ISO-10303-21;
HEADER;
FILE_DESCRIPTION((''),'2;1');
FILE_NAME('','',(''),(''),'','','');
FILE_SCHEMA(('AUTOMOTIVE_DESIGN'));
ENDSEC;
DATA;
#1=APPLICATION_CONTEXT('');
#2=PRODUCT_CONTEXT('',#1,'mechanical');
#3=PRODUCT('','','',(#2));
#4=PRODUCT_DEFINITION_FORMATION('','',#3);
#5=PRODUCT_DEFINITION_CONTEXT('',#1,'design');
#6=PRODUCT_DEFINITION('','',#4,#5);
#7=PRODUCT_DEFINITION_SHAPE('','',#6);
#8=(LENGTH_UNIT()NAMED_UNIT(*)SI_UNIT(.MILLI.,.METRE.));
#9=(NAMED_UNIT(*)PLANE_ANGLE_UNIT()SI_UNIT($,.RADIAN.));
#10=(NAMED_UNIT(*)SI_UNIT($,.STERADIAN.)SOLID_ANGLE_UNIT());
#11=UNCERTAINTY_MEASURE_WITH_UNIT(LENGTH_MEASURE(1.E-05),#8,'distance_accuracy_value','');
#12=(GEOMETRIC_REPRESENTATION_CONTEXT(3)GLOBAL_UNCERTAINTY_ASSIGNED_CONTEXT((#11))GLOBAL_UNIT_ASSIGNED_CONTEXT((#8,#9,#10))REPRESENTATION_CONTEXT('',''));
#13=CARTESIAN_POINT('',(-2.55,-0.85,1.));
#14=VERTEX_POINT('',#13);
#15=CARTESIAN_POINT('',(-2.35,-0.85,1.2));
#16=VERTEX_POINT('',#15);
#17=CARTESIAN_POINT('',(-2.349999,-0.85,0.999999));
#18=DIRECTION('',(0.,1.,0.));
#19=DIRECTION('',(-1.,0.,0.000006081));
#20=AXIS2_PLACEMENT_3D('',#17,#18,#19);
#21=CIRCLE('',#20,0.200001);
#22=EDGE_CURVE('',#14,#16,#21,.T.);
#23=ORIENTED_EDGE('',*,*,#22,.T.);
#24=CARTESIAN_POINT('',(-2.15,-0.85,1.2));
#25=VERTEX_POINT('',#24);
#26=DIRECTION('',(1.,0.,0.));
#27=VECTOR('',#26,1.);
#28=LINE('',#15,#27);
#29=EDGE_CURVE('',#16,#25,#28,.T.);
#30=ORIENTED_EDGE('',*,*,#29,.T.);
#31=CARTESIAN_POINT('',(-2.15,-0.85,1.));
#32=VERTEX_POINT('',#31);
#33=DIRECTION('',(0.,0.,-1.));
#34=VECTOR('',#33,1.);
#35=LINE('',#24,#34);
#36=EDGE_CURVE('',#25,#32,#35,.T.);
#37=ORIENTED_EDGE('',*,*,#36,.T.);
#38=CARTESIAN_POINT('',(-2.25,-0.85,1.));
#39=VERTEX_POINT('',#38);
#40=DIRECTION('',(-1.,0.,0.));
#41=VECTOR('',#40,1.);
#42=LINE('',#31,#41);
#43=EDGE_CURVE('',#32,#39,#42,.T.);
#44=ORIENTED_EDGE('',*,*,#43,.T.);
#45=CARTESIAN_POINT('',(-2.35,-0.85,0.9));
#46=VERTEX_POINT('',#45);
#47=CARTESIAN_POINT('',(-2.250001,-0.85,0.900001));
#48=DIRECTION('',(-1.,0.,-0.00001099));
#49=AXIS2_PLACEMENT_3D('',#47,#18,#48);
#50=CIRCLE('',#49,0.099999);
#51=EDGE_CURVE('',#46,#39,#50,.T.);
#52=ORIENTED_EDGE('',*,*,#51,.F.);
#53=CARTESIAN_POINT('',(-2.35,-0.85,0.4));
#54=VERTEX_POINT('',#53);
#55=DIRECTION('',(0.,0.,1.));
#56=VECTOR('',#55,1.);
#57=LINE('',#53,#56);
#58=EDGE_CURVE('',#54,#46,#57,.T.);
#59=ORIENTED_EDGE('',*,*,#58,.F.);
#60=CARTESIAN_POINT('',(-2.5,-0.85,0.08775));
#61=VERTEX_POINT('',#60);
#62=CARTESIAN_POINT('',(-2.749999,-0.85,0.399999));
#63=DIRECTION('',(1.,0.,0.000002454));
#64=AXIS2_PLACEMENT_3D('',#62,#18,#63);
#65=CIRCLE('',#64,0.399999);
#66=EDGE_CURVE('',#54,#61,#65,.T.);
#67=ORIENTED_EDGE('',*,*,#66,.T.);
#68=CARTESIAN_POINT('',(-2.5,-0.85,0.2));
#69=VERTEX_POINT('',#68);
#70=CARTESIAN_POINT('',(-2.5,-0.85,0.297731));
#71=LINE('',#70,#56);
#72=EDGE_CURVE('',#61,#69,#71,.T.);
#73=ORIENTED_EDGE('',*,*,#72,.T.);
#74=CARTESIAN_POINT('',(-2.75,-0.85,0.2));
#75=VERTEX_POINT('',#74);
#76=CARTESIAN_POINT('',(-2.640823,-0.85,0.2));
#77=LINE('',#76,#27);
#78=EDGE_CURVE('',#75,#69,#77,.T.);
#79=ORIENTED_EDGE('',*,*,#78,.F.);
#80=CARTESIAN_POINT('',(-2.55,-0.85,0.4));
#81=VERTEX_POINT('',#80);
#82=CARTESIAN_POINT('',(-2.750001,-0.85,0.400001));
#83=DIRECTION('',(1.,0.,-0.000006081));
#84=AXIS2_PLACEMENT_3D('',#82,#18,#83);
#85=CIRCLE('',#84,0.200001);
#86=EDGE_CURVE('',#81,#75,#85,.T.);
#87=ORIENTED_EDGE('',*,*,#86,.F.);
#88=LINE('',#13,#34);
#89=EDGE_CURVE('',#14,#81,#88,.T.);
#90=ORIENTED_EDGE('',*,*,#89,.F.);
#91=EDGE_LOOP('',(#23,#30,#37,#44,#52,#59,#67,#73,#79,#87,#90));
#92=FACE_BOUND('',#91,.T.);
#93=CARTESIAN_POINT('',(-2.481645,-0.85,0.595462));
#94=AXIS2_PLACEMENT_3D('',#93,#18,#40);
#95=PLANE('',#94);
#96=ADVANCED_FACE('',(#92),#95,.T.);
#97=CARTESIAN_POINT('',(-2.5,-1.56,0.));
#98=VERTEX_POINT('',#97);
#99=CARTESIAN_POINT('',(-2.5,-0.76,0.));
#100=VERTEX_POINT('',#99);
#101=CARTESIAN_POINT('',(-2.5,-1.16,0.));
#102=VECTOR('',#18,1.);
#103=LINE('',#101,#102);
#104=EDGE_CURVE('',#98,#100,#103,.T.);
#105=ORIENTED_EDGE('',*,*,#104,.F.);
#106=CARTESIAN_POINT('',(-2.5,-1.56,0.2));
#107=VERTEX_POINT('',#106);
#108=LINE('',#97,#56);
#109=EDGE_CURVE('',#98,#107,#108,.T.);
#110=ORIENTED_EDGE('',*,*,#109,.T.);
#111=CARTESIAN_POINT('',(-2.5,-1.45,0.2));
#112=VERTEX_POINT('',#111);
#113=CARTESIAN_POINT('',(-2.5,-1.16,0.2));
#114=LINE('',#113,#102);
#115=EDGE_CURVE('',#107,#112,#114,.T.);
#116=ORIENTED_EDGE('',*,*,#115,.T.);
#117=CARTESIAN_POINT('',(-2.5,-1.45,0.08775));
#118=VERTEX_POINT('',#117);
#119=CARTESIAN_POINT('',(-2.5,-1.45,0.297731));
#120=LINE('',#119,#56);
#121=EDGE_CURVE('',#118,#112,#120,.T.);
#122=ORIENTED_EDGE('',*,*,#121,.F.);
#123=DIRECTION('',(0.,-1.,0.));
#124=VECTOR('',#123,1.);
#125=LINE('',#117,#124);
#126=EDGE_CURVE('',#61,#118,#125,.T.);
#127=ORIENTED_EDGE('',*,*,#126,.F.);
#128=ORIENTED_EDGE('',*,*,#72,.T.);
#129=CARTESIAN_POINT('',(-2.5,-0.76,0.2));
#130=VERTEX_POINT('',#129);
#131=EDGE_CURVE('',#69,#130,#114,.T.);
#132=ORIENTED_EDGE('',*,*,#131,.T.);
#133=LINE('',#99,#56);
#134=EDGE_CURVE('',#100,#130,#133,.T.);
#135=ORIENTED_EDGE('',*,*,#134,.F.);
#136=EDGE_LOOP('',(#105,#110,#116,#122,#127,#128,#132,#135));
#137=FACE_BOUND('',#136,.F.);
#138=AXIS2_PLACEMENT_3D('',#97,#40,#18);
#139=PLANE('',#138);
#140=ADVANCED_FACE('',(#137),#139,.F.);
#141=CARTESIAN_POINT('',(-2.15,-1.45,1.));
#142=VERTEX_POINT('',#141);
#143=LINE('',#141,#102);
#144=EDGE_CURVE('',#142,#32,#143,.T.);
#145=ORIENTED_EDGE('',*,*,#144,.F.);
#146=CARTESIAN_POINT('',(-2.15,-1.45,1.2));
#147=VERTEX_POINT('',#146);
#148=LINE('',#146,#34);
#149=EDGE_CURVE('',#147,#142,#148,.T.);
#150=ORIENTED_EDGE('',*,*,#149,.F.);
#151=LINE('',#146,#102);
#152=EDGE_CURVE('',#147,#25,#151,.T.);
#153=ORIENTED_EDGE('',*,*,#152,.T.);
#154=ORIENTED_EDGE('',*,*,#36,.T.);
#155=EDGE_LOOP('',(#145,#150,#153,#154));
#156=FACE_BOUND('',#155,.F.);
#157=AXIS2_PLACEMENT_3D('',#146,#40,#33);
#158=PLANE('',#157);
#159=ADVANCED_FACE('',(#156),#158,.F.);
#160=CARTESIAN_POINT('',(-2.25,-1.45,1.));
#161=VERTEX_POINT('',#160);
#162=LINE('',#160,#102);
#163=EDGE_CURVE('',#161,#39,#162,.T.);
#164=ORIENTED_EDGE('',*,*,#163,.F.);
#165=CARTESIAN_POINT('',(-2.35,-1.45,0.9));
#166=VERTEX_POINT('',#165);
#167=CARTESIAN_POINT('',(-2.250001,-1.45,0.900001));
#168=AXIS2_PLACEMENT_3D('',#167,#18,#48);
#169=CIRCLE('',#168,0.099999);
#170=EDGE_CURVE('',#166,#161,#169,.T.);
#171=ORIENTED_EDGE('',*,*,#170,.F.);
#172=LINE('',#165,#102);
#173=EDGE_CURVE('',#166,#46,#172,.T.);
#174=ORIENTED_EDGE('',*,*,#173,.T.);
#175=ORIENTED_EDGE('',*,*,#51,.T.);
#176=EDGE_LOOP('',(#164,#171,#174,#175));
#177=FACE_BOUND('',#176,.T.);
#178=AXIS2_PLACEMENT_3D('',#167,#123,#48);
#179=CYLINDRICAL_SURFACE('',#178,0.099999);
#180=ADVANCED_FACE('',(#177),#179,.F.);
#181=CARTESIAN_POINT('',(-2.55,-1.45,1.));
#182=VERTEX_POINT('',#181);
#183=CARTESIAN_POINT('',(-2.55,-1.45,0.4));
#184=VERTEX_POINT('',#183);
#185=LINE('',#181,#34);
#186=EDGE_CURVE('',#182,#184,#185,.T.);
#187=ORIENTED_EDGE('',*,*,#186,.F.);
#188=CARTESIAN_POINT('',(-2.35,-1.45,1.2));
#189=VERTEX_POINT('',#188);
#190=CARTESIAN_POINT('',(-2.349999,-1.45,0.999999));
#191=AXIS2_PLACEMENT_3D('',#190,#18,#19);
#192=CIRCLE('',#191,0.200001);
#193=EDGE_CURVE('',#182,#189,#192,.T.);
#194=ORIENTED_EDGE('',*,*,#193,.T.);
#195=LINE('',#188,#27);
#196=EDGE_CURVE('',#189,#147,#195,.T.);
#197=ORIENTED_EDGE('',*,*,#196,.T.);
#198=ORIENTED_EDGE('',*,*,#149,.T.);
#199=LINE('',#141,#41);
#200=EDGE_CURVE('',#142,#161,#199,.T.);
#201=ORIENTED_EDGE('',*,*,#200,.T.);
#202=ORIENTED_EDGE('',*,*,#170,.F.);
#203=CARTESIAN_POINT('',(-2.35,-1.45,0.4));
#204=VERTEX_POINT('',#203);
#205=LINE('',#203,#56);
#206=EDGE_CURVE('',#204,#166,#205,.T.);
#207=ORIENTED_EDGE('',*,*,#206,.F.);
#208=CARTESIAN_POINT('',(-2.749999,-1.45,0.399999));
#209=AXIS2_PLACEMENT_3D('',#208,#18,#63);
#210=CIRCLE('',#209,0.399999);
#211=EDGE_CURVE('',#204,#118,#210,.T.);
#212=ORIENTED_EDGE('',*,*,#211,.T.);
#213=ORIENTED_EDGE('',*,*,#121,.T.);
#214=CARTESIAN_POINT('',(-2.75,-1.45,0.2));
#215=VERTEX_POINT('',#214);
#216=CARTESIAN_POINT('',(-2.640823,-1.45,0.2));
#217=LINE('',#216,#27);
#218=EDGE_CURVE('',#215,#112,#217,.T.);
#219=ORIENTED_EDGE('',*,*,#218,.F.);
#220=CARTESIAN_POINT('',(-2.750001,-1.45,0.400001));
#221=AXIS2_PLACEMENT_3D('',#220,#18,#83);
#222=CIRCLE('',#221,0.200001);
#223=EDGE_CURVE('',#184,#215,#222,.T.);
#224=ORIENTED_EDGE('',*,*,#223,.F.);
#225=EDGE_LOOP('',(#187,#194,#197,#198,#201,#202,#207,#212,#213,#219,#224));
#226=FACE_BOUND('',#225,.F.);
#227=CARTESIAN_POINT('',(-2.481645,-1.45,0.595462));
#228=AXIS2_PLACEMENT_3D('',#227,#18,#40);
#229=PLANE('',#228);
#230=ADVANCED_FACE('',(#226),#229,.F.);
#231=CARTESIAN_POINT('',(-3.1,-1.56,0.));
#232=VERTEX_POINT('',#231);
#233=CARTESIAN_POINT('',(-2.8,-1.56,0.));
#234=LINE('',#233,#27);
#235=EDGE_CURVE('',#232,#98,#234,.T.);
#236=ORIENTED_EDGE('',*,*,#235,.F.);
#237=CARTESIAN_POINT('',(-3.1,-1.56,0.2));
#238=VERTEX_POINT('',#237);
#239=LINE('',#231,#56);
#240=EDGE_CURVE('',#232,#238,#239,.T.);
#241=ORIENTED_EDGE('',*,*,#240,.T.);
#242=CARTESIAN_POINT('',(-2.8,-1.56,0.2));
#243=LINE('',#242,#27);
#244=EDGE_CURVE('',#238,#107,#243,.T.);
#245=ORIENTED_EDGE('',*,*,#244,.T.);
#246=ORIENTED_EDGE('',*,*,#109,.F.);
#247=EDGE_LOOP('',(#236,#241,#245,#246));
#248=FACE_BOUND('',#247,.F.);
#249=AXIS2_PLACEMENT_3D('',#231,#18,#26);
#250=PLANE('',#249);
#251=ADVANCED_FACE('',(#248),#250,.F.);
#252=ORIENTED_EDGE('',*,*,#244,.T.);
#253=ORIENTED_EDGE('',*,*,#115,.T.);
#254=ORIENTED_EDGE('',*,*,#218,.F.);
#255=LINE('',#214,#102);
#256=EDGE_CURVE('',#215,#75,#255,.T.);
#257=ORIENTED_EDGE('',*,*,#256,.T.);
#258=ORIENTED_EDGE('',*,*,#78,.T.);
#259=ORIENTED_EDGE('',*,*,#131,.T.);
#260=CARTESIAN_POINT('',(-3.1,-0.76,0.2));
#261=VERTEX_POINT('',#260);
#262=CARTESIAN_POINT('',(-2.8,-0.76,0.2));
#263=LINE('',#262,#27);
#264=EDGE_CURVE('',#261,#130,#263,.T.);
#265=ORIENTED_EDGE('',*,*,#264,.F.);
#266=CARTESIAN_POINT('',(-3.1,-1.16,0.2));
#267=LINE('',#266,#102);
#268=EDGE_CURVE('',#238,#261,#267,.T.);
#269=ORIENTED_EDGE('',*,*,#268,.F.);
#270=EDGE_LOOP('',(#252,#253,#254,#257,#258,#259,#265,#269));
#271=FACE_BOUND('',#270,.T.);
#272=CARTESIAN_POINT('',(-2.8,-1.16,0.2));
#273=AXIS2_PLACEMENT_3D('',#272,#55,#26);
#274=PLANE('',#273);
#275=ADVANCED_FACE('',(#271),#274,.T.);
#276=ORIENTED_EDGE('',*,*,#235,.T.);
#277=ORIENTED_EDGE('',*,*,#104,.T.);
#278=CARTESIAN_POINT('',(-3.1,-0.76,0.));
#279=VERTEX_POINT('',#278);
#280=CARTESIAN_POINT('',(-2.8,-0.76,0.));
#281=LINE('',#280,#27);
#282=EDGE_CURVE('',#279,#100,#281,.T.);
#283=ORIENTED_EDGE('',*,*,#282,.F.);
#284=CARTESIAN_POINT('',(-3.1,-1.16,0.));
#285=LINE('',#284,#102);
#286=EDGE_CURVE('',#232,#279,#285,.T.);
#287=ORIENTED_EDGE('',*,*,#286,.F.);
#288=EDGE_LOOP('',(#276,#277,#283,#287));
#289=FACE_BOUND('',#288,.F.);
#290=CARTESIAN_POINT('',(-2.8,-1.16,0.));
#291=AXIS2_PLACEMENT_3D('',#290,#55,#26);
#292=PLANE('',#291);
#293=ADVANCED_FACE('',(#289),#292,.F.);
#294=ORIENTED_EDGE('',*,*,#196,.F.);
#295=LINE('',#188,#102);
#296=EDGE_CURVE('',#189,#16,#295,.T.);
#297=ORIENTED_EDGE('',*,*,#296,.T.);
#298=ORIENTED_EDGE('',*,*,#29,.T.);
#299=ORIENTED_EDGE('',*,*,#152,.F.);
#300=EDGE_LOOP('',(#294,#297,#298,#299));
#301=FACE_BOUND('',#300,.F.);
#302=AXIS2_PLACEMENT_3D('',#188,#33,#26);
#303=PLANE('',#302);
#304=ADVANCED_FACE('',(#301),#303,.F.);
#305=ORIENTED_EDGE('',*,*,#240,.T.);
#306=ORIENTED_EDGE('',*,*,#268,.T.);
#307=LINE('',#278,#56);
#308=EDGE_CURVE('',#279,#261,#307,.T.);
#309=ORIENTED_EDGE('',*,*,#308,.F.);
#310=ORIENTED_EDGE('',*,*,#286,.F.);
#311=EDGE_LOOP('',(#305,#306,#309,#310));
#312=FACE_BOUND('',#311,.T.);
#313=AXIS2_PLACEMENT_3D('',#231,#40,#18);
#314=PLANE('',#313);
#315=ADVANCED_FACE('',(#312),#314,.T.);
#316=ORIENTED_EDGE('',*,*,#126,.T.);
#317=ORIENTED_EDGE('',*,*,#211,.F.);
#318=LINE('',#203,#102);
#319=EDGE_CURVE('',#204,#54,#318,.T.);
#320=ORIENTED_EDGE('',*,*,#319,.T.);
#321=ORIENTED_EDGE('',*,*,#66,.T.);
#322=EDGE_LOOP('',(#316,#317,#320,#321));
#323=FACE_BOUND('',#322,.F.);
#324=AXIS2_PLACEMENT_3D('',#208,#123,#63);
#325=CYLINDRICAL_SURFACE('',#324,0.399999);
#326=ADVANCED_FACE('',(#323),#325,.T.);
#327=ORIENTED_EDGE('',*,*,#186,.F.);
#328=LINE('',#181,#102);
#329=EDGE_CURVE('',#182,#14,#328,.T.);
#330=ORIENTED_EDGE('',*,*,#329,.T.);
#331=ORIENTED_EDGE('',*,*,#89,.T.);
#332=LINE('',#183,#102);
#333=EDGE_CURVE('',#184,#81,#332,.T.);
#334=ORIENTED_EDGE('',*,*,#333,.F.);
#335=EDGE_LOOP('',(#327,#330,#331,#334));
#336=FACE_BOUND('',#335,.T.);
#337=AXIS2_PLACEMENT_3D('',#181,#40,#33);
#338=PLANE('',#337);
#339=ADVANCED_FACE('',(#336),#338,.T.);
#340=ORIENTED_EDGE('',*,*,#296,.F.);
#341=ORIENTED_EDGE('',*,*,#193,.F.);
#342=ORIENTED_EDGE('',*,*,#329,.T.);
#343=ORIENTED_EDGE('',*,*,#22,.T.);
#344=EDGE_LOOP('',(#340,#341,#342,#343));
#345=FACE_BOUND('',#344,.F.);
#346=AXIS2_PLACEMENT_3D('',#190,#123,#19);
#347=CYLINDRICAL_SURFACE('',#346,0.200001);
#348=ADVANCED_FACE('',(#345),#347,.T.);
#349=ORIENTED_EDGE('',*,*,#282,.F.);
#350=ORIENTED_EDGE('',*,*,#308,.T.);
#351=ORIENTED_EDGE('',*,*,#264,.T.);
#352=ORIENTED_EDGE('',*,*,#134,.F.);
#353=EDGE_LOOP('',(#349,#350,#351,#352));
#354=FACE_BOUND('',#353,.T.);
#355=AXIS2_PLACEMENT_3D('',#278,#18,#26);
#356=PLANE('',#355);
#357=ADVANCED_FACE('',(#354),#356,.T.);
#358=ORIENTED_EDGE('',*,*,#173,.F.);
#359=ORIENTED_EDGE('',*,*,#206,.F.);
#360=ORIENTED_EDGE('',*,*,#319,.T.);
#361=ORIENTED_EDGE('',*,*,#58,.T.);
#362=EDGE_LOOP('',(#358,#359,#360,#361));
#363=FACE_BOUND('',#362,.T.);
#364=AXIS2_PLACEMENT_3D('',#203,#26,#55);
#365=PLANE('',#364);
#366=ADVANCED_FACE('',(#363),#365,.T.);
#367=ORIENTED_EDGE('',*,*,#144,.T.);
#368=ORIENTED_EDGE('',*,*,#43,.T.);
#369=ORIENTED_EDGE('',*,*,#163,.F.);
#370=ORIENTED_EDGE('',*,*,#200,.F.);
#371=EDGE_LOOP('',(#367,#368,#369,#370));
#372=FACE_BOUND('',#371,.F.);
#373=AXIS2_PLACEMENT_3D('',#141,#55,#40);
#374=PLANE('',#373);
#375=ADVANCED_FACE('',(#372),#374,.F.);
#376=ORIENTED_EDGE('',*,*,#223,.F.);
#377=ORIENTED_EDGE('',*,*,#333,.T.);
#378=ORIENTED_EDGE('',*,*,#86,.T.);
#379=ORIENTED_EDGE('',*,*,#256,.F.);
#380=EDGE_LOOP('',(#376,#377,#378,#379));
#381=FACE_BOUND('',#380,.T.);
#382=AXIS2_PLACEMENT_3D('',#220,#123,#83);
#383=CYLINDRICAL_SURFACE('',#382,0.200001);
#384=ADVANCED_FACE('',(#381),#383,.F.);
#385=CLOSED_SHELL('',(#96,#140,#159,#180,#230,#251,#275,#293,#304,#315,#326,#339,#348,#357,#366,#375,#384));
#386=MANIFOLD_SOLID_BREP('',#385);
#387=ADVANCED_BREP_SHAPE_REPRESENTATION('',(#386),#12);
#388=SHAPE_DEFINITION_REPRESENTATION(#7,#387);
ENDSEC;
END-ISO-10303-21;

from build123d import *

# Parameters (mm, degrees)
BOX037_W                = 0.6
BOX037_H                = 0.8
BOX037_DEPTH            = 0.2
PAD002_DEPTH            = 0.6
BODY002_PLACEMENT_ANGLE = 180


with BuildPart() as kub037:
    # Box037 → Box037 (new body)
    with BuildSketch(Plane(origin=(-3.1, -1.56, 0), x_dir=(1, 0, 0), z_dir=(0, 0, 1))):
        with Locations((0.3, 0.4)):
            Rectangle(BOX037_W, BOX037_H)
    extrude(amount=BOX037_DEPTH)


with BuildPart() as fusion006:
    # Sketch002 → Pad002 (new body)
    with BuildSketch(Plane.XZ):
        with BuildLine():
            ThreePointArc((3.7, 1), (3.641421, 1.141421), (3.5, 1.2))
            Line((3.5, 1.2), (3.3, 1.2))
            Line((3.3, 1.2), (3.3, 1))
            Line((3.3, 1), (3.4, 1))
            ThreePointArc((3.5, 0.9), (3.470711, 0.970711), (3.4, 1))
            Line((3.5, 0.4), (3.5, 0.9))
            ThreePointArc((3.5, 0.4), (3.617157, 0.117157), (3.9, 0))
            Line((4, 0), (3.9, 0))
            Line((4, 0.2), (4, 0))
            Line((3.9, 0.2), (4, 0.2))
            ThreePointArc((3.7, 0.4), (3.758579, 0.258579), (3.9, 0.2))
            Line((3.7, 1), (3.7, 0.4))
        make_face()
    extrude(amount=PAD002_DEPTH)


with BuildPart() as fusion006_1:
    # Body002 placement: moved
    add(fusion006.part.moved(Location((1.15, -1.45, 0))).rotate(Axis((1.15, -1.45, 0), (0, 0, 1)), BODY002_PLACEMENT_ANGLE))

    # Fusion006: union Kub037
    add(kub037.part)


solid = fusion006_1.part
